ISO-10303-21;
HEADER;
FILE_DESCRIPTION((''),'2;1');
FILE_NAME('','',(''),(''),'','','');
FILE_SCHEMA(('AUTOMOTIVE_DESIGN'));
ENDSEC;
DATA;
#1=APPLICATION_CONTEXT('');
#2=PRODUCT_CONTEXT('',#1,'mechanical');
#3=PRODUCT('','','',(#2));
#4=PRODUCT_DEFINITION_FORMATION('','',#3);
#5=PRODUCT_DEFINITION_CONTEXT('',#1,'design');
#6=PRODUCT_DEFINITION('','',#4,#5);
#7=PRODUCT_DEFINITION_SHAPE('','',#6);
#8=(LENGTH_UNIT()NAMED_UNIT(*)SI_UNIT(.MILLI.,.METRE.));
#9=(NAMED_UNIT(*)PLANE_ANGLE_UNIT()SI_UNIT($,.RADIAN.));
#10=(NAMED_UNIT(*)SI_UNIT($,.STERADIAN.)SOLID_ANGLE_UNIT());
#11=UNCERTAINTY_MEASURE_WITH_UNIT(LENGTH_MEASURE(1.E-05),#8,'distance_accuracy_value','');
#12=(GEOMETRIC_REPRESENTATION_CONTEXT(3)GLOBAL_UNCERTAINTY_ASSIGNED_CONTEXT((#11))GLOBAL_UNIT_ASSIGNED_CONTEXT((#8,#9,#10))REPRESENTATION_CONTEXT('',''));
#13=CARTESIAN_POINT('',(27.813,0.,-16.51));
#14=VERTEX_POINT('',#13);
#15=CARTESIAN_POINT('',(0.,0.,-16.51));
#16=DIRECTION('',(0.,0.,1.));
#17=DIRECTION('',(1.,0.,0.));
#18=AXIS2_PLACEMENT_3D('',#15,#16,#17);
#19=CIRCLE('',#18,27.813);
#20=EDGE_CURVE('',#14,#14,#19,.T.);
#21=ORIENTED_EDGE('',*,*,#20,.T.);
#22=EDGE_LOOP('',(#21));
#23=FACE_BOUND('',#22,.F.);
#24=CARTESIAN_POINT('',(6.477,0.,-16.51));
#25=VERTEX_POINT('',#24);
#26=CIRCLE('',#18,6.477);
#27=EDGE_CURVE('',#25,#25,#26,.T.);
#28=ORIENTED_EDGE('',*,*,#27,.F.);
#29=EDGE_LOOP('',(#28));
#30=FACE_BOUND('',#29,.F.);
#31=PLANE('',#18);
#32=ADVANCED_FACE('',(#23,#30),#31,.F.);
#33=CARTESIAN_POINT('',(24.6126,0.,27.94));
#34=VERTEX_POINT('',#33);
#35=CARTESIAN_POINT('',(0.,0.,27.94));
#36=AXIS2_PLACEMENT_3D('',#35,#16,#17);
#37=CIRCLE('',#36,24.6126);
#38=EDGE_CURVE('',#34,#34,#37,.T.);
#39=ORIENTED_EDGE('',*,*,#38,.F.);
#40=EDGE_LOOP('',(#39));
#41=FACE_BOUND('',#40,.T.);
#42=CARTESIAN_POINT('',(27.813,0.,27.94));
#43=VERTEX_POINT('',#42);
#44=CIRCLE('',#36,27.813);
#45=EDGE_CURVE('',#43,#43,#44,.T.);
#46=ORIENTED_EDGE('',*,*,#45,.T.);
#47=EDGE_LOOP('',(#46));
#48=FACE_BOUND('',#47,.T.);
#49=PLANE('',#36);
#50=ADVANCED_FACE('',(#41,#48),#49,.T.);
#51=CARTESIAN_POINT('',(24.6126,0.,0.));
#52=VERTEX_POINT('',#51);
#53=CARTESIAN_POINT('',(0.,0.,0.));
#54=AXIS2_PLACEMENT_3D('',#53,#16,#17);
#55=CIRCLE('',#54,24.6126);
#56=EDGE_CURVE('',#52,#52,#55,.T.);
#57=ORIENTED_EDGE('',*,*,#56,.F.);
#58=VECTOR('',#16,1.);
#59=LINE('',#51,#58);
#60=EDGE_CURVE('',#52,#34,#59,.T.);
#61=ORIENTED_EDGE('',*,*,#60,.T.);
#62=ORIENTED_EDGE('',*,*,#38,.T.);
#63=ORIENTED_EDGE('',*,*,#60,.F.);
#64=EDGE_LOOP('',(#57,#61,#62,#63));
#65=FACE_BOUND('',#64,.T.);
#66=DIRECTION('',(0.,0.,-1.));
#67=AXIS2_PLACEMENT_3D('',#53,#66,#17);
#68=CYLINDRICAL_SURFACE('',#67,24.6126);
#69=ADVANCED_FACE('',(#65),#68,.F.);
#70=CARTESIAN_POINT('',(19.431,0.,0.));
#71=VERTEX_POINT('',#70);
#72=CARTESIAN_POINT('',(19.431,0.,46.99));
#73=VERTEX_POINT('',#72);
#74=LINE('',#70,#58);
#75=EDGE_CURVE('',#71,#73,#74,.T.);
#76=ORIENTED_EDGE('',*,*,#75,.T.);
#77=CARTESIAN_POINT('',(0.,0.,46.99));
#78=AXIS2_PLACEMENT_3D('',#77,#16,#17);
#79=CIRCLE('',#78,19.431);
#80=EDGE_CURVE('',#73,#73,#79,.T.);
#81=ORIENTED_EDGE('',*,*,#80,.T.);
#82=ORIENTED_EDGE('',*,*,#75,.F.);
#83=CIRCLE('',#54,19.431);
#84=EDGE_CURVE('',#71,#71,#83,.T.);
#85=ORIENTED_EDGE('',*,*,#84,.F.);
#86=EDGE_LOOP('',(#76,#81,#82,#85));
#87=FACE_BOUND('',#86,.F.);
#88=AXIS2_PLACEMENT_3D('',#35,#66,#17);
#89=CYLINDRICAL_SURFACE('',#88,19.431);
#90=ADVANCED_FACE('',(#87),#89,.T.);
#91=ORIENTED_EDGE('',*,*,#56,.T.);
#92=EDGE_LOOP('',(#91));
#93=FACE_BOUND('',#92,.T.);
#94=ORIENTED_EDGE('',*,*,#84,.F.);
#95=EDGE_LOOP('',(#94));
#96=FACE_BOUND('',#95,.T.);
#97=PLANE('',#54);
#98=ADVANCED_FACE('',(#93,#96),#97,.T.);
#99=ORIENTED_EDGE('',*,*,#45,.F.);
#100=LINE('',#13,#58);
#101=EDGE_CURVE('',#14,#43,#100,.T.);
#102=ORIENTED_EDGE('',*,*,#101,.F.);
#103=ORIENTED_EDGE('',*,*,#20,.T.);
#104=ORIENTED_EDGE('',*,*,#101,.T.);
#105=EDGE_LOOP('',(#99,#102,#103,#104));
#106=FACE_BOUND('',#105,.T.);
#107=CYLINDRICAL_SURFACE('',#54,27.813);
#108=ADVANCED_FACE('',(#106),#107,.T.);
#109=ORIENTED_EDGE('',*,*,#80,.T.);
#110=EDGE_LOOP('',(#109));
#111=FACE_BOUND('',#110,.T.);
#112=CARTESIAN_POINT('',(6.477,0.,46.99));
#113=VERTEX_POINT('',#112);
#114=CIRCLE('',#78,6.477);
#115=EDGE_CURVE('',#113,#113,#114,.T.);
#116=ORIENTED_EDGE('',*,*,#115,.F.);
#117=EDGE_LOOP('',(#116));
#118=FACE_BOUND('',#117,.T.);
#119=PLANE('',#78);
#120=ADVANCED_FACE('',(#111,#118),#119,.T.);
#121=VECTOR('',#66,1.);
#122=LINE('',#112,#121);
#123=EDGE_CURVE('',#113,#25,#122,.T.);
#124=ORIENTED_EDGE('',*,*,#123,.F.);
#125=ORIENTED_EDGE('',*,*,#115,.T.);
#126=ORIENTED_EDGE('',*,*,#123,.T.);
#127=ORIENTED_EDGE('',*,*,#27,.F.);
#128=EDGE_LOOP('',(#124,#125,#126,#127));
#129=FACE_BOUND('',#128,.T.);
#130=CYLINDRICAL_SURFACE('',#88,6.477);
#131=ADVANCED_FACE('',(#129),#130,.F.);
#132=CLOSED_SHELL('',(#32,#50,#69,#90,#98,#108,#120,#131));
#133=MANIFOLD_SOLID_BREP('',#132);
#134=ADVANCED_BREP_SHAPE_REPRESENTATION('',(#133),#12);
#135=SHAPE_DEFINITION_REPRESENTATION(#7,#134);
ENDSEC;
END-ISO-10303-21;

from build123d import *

# Parameters (mm, degrees)
F0_R     = 27.813
F0_R_2   = 24.6126
F1_DEPTH = 27.94
F0_R_3   = 19.431
F0_R_4   = 6.477
F2_DEPTH = 16.51
F3_DEPTH = 19.05


with BuildPart() as f1:
    # F0 (on Top) → F1 (new body)
    with BuildSketch(Plane.XY):
        Circle(F0_R)
        Circle(F0_R_2, mode=Mode.SUBTRACT)
    extrude(amount=F1_DEPTH)



with BuildPart() as f1b:
    # F0 (on Top) → F1, piece 2 (new body)
    with BuildSketch(Plane.XY):
        Circle(F0_R_3)
        Circle(F0_R_4, mode=Mode.SUBTRACT)
    extrude(amount=F1_DEPTH)


with BuildPart() as f1_1:
    add(f1.part)

    add(f1b.part)  # F2 merges F1b
    # F0 (on Top) → F2 (join)
    with BuildSketch(Plane.XY):
        Circle(F0_R)
        Circle(F0_R_2, mode=Mode.SUBTRACT)
        Circle(F0_R_2)
        Circle(F0_R_3, mode=Mode.SUBTRACT)
        Circle(F0_R_3)
        Circle(F0_R_4, mode=Mode.SUBTRACT)
    extrude(amount=-F2_DEPTH)

    # F3 (add): a face of the model
    f3_faces = [f1_1.faces().sort_by_distance(p)[0] for p in [
        (-18.8814083254, 0, 27.94),
    ]]
    extrude(f3_faces, amount=F3_DEPTH)


solid = f1_1.part
